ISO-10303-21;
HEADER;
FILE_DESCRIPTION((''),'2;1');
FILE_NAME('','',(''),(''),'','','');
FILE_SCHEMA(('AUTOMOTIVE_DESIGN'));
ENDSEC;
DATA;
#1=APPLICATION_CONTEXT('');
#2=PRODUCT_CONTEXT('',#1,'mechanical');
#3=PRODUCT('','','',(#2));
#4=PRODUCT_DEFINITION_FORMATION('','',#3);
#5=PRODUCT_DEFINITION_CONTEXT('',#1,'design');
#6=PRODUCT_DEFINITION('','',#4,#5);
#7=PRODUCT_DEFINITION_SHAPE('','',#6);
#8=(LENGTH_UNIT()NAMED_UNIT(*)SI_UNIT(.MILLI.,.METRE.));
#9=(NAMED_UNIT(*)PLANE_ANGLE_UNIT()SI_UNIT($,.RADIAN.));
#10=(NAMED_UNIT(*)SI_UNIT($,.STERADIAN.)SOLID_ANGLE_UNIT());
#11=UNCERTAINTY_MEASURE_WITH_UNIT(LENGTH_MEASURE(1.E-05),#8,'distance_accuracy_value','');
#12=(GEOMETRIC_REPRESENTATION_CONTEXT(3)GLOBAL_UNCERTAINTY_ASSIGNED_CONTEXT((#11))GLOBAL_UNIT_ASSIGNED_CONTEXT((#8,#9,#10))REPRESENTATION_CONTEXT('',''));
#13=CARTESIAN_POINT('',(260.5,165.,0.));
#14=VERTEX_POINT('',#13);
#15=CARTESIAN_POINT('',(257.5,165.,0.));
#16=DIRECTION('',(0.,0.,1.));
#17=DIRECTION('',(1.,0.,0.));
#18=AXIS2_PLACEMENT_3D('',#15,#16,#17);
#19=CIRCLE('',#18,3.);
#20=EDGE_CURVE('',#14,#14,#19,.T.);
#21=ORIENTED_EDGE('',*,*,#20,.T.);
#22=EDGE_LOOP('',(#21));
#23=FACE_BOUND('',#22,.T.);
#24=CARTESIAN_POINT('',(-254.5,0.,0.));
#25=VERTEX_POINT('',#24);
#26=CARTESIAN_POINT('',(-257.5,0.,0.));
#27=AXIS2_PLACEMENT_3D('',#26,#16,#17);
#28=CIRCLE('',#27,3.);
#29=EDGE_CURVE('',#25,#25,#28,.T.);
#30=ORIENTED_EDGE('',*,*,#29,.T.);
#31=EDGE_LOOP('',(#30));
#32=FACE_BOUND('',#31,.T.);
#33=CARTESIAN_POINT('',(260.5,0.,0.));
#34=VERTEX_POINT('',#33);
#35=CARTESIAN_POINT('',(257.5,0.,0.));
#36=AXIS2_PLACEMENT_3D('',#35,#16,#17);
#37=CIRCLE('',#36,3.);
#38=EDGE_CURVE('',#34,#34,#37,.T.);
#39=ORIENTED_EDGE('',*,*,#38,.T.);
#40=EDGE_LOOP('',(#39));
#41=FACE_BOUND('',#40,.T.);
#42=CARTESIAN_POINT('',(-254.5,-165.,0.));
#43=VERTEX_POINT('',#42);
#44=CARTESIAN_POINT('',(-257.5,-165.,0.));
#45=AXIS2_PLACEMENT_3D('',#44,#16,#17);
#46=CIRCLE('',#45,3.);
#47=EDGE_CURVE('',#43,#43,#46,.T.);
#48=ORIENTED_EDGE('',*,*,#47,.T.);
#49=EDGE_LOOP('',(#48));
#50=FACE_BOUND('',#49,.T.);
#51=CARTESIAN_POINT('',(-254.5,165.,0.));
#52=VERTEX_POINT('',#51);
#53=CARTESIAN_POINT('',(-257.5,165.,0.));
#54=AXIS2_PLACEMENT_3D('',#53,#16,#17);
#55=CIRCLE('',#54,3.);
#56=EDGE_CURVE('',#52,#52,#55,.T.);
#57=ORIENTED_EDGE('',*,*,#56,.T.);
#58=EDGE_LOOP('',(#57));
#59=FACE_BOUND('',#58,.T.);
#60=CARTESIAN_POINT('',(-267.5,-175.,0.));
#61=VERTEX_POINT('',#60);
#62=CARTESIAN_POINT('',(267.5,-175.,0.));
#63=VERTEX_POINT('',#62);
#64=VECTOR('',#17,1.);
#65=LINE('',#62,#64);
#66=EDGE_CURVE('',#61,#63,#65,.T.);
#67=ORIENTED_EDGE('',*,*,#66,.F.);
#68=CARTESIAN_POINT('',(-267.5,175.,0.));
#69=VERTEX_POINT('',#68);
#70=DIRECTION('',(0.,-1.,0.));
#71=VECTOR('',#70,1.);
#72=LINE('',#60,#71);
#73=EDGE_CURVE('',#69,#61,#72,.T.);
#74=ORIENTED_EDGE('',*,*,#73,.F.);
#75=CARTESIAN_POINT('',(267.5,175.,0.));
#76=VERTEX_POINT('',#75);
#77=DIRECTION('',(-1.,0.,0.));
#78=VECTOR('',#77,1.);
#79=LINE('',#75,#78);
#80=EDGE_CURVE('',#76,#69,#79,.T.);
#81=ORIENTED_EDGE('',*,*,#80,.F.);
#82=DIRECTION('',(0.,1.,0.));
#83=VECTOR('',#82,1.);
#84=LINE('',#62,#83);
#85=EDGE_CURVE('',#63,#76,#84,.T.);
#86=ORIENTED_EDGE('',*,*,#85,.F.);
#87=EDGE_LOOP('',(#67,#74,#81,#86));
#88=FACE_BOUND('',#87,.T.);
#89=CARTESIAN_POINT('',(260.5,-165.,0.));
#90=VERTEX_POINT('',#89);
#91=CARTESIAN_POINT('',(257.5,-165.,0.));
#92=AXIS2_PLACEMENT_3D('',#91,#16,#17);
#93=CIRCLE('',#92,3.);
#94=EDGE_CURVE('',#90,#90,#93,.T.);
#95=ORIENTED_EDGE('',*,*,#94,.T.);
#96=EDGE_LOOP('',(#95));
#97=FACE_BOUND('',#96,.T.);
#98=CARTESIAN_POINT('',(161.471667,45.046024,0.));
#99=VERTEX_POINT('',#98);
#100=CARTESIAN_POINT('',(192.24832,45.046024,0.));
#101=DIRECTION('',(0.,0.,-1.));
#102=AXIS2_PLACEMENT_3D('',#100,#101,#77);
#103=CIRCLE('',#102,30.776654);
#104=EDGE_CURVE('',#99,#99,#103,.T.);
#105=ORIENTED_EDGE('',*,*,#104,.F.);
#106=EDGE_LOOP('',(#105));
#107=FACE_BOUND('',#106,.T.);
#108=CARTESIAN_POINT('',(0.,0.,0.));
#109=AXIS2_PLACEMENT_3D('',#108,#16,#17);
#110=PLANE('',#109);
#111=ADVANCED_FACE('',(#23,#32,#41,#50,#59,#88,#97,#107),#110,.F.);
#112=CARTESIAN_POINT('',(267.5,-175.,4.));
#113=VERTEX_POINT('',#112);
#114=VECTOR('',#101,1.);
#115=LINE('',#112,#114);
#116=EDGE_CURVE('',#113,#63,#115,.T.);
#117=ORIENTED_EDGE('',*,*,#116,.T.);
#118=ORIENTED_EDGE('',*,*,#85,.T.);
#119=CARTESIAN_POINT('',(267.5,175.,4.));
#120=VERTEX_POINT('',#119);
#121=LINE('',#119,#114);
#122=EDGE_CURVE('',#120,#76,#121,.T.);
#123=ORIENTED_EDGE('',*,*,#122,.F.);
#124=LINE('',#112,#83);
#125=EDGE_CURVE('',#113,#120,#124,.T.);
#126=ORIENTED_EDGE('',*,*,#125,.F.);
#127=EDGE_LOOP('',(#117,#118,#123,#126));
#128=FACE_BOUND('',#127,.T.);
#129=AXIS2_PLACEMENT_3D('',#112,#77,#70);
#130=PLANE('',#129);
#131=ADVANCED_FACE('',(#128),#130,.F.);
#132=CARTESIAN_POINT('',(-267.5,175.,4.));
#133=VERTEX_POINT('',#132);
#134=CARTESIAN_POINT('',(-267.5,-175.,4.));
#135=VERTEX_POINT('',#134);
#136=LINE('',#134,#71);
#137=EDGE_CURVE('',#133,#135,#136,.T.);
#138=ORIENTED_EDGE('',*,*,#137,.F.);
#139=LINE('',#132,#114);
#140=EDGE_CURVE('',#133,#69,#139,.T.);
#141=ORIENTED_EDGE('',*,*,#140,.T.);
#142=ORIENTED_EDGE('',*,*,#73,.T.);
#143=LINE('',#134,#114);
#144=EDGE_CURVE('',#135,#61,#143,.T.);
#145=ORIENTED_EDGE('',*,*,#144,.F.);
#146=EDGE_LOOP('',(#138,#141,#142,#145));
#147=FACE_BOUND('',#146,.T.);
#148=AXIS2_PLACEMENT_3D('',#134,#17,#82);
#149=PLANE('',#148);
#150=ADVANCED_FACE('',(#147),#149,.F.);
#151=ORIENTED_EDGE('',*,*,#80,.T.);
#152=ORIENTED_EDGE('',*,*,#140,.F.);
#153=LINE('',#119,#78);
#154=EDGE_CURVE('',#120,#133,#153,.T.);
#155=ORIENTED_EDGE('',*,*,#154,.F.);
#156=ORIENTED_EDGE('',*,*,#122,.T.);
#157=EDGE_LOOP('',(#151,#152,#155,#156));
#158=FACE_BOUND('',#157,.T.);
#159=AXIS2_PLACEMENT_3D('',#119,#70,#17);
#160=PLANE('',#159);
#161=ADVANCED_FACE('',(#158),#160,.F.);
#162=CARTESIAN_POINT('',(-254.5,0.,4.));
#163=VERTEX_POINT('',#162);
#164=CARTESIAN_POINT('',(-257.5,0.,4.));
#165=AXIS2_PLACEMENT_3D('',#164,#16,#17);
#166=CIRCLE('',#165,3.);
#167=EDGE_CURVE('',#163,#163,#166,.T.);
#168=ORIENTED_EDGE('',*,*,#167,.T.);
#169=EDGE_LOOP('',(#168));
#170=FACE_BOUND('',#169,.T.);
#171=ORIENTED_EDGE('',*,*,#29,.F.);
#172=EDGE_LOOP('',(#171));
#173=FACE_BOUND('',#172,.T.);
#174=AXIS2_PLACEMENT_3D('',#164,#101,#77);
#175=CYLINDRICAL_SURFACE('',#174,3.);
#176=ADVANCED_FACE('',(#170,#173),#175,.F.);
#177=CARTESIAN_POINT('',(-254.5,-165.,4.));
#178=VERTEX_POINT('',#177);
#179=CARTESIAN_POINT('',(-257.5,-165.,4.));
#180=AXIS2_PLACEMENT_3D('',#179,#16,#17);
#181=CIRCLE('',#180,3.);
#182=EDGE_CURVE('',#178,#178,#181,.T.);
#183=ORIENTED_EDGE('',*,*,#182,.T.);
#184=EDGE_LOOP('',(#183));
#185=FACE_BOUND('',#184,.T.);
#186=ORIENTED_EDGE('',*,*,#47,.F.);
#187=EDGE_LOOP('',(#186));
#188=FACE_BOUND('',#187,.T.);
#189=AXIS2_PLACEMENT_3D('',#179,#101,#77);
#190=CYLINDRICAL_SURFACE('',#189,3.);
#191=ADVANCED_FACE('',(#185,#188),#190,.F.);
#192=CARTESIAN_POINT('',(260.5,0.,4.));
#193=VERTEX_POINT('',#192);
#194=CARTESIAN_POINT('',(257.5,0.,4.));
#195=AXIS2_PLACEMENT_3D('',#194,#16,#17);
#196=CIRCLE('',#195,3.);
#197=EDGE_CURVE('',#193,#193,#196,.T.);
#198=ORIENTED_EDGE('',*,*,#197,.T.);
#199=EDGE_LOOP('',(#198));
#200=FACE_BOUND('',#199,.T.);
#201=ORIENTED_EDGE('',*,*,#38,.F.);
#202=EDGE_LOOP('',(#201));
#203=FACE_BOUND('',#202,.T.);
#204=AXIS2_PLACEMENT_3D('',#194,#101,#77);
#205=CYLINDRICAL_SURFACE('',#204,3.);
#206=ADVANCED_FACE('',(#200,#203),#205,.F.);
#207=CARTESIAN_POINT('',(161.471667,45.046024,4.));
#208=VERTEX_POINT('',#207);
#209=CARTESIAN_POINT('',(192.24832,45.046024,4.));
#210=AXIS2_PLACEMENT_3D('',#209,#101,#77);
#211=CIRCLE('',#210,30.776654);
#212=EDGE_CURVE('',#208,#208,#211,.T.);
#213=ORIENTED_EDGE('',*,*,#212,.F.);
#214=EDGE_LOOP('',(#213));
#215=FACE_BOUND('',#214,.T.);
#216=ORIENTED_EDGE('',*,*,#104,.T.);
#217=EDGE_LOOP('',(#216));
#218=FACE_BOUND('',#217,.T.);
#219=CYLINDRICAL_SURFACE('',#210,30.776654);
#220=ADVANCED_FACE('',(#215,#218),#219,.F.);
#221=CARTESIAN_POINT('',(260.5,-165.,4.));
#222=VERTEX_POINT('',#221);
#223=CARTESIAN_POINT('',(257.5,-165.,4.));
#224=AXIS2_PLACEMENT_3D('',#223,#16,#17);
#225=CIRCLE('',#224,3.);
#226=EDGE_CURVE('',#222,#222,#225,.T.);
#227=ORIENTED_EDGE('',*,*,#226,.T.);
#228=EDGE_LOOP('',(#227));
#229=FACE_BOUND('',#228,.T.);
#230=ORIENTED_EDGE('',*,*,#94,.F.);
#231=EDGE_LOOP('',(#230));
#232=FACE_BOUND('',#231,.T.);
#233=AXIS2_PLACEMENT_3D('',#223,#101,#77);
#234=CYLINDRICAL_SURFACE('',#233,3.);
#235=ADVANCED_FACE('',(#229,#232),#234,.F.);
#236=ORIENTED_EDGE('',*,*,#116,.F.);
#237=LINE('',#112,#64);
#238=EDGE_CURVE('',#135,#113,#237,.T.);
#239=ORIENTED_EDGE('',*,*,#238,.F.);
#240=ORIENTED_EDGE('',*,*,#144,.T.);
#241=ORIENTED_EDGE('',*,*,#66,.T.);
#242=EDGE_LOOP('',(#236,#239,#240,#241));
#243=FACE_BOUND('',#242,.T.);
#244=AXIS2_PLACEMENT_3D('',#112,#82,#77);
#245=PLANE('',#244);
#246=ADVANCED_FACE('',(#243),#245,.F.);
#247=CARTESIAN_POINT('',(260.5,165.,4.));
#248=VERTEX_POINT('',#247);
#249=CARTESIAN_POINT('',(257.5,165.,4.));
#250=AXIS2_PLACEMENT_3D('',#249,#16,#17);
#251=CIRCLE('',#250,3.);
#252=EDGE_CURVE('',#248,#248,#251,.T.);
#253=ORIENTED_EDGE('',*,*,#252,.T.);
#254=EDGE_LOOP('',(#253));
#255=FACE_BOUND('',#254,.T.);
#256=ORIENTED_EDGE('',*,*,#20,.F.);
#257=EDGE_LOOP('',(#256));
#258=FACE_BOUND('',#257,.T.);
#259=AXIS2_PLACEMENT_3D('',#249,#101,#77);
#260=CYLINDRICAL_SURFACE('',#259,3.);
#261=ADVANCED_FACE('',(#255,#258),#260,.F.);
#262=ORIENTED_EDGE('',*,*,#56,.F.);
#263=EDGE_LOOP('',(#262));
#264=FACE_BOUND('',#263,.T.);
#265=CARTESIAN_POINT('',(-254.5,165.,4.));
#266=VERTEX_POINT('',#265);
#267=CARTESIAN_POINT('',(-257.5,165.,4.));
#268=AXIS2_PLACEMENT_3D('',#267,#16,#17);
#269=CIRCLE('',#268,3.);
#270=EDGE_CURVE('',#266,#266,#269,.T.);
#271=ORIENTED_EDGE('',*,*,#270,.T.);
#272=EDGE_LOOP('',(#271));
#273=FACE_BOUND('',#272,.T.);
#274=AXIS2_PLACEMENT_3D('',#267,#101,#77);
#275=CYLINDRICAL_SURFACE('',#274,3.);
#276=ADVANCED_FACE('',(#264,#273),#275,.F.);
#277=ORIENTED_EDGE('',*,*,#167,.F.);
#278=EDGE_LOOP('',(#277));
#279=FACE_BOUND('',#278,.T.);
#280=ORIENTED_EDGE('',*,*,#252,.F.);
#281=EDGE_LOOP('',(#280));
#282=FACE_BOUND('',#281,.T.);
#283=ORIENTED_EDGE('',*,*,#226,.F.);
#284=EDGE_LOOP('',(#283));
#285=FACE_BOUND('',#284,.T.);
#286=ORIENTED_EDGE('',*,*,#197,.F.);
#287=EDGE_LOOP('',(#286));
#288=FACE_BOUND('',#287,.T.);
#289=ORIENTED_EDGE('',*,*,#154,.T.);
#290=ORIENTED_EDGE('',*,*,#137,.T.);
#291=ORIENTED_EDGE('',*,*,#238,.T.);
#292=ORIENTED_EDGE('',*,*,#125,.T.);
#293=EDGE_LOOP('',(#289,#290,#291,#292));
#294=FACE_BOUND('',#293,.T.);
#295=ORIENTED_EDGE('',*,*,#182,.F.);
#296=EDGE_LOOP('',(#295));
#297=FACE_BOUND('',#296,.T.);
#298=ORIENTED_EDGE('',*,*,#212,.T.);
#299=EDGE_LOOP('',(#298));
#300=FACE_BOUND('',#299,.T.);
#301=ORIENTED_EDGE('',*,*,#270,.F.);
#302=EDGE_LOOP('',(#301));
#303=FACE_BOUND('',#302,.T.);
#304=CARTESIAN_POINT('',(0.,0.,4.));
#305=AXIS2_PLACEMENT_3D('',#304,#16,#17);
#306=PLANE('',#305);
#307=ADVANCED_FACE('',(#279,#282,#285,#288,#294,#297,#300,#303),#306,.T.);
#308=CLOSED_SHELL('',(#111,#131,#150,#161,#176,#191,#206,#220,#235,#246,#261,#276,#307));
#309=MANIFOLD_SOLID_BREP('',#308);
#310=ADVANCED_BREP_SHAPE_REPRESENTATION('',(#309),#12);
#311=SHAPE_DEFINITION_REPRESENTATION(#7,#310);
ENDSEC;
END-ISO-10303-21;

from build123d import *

# Parameters (mm, degrees)
SKICA1_W                 = 535
SKICA1_H                 = 350
SKICA1_R                 = 3
P_IDAT_VYSUNUT_M1_DEPTH  = 4
SKICA2_R                 = 30.776653742
ODEBRAT_VYSUNUT_M1_DEPTH = 4


with BuildPart() as part:
    # Skica1 → Přidat vysunutím1 (new body)
    with BuildSketch(Plane.XY):
        Rectangle(SKICA1_W, SKICA1_H)
        with Locations((-257.5, 165)):
            Circle(SKICA1_R, mode=Mode.SUBTRACT)
        with Locations((-257.5, 0)):
            Circle(SKICA1_R, mode=Mode.SUBTRACT)
        with Locations((-257.5, -165)):
            Circle(SKICA1_R, mode=Mode.SUBTRACT)
        with Locations((257.5, 165)):
            Circle(SKICA1_R, mode=Mode.SUBTRACT)
        with Locations((257.5, 0)):
            Circle(SKICA1_R, mode=Mode.SUBTRACT)
        with Locations((257.5, -165)):
            Circle(SKICA1_R, mode=Mode.SUBTRACT)
    extrude(amount=P_IDAT_VYSUNUT_M1_DEPTH)

    # Skica2 → Odebrat vysunutím1 (cut)
    with BuildSketch(Plane(origin=(0, 0, 0), x_dir=(-1, 0, 0), z_dir=(0, 0, -1))):
        with Locations((-192.248320425, 45.04602447)):
            Circle(SKICA2_R)
    extrude(amount=-ODEBRAT_VYSUNUT_M1_DEPTH, mode=Mode.SUBTRACT)


solid = part.part
